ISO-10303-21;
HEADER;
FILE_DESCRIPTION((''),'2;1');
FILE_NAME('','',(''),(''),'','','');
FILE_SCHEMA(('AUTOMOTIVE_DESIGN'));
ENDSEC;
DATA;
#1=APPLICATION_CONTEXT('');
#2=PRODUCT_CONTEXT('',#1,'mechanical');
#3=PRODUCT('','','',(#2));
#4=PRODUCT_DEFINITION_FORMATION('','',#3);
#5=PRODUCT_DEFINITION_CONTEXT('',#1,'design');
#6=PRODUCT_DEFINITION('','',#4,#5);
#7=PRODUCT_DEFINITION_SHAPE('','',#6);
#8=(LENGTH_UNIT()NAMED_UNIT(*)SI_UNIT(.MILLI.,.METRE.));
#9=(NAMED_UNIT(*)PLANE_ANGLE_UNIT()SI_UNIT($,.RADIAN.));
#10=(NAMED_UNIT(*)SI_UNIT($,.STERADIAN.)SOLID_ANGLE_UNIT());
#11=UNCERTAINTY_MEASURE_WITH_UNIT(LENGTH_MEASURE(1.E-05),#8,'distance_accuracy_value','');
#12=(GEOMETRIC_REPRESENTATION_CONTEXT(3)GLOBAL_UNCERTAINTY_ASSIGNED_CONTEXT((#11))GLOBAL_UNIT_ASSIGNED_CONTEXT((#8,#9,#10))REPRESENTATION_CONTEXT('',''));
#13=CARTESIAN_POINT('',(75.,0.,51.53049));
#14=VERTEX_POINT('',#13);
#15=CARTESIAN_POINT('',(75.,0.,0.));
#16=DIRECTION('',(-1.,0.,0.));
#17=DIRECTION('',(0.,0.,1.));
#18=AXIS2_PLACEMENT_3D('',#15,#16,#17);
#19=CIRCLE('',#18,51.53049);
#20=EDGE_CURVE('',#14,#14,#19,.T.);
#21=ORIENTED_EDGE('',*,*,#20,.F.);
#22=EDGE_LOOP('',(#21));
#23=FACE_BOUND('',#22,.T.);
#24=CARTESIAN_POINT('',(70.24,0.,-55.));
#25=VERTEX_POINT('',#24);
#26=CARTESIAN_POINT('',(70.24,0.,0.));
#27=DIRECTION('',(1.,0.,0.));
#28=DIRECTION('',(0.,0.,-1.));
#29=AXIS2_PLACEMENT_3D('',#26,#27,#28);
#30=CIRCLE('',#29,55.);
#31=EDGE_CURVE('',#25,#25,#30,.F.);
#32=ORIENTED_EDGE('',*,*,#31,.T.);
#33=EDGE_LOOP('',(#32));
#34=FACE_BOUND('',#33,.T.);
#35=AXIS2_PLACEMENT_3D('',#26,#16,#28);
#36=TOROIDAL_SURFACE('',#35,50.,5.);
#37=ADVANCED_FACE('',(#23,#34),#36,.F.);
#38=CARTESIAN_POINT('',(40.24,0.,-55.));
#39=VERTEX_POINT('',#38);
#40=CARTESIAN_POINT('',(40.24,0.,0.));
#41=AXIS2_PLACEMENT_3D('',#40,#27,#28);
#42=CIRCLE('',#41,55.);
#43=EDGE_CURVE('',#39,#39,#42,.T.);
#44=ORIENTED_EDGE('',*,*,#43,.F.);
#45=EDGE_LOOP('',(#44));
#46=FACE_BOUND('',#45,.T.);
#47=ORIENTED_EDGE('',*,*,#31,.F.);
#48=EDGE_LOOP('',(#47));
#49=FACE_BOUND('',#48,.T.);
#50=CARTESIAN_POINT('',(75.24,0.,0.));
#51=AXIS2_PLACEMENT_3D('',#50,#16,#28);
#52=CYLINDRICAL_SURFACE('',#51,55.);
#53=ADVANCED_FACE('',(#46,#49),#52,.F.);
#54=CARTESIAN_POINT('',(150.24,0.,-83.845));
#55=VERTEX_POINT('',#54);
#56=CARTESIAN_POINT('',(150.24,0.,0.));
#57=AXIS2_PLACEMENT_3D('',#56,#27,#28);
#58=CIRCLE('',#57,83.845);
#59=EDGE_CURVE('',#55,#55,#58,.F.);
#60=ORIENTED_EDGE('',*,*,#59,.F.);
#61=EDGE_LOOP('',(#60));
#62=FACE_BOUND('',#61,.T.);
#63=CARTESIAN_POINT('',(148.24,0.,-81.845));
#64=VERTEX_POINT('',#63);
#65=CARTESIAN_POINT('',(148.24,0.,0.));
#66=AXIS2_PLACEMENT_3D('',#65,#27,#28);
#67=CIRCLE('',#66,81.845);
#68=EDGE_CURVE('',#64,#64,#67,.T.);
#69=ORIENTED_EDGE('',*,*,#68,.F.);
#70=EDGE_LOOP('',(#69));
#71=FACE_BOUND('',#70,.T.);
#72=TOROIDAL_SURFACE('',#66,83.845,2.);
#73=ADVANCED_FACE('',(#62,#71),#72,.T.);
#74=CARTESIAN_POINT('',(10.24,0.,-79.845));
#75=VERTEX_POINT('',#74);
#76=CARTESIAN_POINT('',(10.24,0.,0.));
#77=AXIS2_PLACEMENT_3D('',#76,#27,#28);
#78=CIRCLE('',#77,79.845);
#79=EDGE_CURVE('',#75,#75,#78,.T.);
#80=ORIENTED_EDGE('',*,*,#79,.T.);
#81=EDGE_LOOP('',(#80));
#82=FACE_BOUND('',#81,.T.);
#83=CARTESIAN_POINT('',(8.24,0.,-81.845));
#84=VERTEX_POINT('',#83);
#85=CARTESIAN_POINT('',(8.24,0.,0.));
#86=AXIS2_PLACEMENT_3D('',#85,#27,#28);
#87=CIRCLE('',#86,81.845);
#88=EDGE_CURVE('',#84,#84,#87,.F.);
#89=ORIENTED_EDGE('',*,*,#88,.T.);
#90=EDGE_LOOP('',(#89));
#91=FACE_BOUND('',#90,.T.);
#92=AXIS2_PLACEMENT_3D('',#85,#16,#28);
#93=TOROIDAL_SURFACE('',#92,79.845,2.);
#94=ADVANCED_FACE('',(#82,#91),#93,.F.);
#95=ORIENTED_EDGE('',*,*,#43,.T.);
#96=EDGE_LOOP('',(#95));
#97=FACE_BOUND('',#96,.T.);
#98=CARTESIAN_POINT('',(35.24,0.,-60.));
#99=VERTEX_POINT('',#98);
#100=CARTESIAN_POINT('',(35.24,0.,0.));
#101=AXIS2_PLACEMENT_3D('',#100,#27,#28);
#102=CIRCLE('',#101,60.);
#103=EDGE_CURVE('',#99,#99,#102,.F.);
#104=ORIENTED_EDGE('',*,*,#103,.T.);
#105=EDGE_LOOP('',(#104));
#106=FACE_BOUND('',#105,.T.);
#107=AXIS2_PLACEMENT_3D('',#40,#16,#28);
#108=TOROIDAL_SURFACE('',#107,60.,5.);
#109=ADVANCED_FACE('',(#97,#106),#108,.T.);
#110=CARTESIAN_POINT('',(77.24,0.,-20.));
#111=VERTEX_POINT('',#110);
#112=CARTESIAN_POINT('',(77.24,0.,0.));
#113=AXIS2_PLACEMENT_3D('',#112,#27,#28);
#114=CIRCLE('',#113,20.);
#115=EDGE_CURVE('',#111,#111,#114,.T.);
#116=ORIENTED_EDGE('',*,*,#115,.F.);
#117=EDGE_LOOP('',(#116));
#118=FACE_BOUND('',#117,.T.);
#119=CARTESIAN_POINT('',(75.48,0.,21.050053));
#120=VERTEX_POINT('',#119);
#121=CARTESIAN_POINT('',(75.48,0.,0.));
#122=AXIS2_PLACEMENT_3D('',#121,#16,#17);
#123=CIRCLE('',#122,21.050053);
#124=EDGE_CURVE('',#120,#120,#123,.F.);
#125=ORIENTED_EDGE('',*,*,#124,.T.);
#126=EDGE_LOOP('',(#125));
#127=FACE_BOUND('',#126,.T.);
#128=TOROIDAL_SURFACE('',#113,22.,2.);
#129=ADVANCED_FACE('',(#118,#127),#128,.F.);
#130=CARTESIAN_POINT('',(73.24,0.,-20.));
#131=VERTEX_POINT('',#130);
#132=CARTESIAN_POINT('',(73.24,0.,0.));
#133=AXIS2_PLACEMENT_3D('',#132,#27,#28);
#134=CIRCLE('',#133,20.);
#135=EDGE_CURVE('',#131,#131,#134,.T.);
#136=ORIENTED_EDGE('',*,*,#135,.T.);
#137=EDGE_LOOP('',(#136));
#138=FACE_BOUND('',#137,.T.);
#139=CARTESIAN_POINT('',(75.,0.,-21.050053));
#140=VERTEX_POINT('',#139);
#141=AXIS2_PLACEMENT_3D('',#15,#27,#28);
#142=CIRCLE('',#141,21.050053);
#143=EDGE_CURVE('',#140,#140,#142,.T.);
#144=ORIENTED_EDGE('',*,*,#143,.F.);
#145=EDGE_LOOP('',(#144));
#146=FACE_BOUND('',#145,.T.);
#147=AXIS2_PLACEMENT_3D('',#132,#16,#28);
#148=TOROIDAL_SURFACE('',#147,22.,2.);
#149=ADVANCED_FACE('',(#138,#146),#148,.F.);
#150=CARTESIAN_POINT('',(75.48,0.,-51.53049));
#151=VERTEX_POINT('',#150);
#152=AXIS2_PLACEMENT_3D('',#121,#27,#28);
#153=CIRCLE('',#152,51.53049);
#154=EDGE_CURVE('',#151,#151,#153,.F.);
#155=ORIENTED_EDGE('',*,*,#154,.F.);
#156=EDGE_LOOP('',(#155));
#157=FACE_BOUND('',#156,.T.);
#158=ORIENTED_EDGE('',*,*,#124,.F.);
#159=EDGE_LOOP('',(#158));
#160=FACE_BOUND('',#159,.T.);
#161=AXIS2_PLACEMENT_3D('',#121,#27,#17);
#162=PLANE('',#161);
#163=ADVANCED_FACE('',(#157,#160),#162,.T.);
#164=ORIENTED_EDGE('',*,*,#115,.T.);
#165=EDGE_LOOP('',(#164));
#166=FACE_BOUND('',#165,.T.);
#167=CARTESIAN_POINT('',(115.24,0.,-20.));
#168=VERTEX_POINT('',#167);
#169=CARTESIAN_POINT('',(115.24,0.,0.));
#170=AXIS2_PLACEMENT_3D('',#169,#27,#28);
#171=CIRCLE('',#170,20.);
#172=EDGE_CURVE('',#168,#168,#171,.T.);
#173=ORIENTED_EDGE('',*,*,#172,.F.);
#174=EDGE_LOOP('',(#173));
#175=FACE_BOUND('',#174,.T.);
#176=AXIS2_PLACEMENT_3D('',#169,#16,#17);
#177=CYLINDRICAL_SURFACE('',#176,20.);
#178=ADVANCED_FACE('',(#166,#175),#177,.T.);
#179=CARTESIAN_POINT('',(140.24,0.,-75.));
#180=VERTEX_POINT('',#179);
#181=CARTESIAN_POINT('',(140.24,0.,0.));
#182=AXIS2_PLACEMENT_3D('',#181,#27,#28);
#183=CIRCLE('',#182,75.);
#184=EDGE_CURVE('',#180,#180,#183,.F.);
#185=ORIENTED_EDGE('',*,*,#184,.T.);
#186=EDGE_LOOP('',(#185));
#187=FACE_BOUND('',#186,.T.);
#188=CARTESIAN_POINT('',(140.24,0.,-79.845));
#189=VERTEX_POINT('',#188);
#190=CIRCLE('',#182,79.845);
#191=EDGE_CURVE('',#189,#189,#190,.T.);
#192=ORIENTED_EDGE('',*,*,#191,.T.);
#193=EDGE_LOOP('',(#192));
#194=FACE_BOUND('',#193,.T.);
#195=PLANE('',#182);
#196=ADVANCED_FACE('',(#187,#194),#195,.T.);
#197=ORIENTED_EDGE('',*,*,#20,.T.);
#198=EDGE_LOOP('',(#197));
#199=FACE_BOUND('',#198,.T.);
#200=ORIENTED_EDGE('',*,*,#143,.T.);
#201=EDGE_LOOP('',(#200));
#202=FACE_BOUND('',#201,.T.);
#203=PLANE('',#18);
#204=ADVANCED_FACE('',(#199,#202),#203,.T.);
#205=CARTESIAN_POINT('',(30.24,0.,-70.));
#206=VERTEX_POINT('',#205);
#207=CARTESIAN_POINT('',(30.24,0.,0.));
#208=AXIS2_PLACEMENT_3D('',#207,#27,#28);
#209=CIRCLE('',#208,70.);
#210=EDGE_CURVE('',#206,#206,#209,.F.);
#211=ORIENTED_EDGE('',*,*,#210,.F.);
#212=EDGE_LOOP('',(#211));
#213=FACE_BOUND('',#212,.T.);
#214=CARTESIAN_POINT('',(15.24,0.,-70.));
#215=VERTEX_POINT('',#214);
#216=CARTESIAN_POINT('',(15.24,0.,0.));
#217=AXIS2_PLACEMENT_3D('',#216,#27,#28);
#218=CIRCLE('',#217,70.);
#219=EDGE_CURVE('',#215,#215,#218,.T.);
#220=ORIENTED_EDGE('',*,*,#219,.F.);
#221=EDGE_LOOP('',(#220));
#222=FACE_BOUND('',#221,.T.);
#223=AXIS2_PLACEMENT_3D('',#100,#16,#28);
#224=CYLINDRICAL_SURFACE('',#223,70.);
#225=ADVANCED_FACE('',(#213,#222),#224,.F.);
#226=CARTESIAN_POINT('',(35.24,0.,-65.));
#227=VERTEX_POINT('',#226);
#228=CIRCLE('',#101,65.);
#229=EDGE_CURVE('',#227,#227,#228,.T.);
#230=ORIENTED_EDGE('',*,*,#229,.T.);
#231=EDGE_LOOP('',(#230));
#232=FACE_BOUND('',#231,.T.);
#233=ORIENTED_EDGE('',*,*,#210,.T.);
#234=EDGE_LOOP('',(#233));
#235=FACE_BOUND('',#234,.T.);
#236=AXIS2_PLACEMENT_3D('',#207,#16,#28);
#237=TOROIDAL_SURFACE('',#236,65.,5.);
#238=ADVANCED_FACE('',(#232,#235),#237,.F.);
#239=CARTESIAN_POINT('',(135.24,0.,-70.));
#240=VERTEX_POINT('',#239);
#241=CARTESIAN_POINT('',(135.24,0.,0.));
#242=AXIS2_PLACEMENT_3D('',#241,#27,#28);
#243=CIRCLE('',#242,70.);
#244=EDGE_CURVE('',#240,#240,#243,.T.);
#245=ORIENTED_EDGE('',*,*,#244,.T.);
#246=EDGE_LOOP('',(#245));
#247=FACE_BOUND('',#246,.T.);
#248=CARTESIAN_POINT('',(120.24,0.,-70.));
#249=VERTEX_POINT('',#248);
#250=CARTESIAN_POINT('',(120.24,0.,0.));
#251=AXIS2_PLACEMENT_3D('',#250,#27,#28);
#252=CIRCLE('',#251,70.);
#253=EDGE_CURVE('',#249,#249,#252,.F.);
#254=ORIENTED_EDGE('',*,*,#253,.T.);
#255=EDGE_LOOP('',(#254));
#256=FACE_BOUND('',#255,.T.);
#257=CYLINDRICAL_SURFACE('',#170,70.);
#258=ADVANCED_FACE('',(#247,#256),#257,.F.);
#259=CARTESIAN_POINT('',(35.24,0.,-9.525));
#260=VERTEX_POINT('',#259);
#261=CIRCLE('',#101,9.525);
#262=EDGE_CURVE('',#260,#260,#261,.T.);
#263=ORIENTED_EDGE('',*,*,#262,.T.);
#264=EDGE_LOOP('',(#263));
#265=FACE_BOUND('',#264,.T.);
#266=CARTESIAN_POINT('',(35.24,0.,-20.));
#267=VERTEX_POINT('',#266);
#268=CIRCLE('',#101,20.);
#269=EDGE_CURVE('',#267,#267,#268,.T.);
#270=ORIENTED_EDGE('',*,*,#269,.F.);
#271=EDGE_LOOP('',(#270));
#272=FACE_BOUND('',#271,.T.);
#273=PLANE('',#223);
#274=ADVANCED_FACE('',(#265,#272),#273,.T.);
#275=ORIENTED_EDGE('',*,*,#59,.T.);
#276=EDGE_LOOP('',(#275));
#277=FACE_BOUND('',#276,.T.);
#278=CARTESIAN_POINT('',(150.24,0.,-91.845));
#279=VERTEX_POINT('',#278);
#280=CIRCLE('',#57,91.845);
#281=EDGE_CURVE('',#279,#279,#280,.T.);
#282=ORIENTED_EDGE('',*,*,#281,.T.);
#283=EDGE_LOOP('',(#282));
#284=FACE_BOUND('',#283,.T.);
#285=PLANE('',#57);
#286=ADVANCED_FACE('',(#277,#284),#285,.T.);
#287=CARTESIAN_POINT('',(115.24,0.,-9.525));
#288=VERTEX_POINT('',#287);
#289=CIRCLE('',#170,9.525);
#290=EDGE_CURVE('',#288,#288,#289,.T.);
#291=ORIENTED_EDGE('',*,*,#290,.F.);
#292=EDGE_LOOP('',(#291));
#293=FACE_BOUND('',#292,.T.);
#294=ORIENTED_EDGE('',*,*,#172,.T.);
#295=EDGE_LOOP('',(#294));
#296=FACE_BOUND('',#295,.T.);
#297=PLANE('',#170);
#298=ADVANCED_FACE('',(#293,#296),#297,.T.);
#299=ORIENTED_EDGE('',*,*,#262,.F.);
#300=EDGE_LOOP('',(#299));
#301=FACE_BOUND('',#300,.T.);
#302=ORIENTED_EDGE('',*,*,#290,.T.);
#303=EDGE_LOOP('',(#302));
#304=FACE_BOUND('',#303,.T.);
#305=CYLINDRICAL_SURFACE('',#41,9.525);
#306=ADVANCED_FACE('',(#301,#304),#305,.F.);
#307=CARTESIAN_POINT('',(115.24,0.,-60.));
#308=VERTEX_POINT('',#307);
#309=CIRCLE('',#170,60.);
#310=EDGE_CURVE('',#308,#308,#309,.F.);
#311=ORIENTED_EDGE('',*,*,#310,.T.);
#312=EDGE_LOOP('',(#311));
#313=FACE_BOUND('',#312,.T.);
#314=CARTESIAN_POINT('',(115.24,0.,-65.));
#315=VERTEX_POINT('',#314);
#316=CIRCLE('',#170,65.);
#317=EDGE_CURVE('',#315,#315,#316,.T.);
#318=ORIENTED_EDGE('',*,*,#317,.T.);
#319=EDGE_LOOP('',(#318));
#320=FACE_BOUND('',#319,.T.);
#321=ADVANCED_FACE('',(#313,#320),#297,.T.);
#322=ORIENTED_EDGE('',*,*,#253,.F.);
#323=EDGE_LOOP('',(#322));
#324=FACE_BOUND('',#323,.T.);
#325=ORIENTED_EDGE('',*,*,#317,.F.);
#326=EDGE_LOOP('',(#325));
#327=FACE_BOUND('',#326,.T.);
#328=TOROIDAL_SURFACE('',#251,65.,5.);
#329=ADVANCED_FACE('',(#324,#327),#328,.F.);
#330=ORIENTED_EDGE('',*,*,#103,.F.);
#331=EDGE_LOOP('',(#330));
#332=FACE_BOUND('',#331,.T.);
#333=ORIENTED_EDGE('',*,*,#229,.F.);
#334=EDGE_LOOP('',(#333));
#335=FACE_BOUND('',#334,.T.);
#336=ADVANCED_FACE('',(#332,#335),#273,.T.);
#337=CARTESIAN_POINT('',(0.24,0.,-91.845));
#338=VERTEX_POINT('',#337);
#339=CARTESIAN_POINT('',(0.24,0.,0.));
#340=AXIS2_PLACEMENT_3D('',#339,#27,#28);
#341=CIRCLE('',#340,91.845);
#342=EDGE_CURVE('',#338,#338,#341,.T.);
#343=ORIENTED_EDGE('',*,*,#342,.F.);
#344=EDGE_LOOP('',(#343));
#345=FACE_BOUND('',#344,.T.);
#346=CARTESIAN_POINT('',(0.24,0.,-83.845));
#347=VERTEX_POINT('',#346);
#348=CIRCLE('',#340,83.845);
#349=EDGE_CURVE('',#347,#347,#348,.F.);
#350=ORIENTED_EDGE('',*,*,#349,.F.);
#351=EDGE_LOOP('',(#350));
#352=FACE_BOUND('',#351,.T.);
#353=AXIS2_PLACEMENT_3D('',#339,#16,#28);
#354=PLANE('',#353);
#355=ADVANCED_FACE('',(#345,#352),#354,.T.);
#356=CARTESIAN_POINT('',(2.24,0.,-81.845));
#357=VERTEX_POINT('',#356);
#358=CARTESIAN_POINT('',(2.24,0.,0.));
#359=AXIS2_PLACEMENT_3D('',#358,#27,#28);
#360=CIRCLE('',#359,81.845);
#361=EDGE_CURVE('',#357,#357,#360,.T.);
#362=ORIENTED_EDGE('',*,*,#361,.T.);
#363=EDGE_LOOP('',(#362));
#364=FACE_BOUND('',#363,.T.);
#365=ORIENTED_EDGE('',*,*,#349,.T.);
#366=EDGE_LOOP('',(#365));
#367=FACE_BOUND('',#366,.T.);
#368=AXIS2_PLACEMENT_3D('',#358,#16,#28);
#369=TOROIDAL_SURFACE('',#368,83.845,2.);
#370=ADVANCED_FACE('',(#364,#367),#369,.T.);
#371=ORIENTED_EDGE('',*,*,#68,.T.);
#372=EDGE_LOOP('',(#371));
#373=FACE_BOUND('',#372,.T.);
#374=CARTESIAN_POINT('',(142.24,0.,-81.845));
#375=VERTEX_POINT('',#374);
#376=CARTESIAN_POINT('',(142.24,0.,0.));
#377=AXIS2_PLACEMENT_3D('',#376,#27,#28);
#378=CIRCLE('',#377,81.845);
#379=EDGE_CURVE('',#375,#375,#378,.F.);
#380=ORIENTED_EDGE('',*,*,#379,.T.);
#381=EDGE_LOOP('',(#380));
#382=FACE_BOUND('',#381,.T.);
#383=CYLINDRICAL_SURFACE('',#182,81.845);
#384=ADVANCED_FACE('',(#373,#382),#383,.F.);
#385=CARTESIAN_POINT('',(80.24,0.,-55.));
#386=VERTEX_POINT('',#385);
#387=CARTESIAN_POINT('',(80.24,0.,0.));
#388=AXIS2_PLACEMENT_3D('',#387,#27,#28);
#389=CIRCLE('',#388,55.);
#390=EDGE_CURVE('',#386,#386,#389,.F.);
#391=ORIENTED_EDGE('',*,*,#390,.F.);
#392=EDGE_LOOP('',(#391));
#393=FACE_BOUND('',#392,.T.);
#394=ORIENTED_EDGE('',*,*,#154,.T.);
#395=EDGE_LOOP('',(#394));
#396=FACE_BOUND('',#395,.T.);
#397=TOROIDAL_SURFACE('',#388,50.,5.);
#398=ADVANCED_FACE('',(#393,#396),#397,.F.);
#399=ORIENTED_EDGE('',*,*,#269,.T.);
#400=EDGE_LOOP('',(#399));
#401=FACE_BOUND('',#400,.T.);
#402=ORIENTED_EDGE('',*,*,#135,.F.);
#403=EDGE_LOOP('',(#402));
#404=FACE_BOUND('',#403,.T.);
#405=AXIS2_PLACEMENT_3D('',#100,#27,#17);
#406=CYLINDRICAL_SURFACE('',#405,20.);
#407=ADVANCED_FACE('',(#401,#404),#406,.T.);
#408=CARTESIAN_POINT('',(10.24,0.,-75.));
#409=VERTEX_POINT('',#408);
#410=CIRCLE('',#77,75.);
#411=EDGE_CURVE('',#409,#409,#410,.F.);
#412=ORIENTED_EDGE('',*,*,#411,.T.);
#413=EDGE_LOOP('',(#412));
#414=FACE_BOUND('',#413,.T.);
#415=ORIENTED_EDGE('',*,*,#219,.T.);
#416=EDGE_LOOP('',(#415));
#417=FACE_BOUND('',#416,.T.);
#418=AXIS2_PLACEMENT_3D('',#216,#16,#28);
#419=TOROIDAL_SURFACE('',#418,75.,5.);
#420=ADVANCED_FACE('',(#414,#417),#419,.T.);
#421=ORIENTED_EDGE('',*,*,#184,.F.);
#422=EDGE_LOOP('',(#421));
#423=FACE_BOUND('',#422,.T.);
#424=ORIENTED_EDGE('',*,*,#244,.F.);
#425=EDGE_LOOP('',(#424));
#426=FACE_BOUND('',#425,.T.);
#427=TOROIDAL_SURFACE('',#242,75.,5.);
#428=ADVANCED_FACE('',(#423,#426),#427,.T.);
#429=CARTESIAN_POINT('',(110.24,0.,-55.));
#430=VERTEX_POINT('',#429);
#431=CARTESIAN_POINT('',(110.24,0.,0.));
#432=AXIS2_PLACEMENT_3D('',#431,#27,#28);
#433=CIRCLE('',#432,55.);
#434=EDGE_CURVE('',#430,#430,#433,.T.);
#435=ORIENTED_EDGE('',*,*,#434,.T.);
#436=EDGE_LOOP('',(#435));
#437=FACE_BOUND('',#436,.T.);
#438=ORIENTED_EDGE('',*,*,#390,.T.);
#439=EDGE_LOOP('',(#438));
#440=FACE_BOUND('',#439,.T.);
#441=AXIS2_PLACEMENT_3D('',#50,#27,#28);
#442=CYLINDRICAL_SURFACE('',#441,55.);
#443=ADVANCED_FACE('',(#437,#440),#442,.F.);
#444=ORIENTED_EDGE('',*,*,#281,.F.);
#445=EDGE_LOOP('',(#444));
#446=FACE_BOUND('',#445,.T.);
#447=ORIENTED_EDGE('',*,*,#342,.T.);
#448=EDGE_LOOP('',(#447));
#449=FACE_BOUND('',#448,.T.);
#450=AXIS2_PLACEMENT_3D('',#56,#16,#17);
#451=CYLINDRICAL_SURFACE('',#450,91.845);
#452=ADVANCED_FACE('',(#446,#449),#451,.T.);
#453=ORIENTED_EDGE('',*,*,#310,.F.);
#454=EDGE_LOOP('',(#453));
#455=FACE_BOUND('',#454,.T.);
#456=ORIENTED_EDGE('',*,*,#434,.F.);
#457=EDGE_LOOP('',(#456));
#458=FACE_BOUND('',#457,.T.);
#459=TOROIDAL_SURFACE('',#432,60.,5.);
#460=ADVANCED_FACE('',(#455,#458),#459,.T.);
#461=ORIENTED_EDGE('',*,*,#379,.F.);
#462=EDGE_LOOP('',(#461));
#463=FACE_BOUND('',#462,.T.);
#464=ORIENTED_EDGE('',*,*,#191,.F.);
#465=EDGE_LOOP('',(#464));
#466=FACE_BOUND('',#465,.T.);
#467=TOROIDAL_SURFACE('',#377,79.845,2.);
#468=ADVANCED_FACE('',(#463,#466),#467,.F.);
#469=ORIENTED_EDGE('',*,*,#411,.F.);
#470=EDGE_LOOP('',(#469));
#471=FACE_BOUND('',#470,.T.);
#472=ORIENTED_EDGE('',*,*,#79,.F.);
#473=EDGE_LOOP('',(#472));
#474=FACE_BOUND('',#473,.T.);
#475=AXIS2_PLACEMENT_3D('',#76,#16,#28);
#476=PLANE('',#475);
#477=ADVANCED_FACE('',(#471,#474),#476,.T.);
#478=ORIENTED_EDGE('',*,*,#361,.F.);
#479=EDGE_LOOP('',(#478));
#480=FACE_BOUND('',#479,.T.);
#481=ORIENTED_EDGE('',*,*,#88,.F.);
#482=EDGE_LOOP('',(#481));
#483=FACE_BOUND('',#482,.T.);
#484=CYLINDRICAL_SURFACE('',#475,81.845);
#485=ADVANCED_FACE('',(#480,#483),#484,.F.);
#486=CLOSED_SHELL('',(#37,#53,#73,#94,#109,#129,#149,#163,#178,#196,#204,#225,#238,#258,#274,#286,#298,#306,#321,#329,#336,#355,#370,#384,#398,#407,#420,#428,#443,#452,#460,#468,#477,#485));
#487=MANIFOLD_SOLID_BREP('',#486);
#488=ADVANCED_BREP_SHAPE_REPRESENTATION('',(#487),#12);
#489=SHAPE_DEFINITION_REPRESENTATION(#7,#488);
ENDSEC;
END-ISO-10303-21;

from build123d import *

# Parameters (mm, degrees)
SKETCH1_R           = 91.845
BOSS_EXTRUDE1_DEPTH = 150.24
SKETCH2_R           = 81.845
CUT_EXTRUDE1_DEPTH  = 10
SKETCH3_R           = 70
CUT_EXTRUDE2_DEPTH  = 25
SKETCH4_R           = 55
CUT_EXTRUDE3_DEPTH  = 40
SKETCH5_R           = 20
BOSS_EXTRUDE3_DEPTH = 40
SKETCH6_R           = 91.845
CUT_EXTRUDE4_DEPTH  = 75
FILLET1_R           = 2
FILLET2_R           = 5
FILLET3_R           = 5
FILLET4_R           = 2
FILLET5_R           = 5
FILLET6_R           = 5
FILLET7_R           = 2
SKETCH7_R           = 9.525
CUT_EXTRUDE5_DEPTH  = 75


with BuildPart() as part:
    # Sketch1 → Boss-Extrude1 (new body)
    with BuildSketch(Plane(origin=(0, 0, 0), x_dir=(0, 0, -1), z_dir=(1, 0, 0))):
        Circle(SKETCH1_R)
    extrude(amount=BOSS_EXTRUDE1_DEPTH)

    # Sketch2 → Cut-Extrude1 (cut)
    with BuildSketch(Plane(origin=(150.24, 0, 0), x_dir=(0, 0, -1), z_dir=(1, 0, 0))):
        Circle(SKETCH2_R)
    extrude(amount=-CUT_EXTRUDE1_DEPTH, mode=Mode.SUBTRACT)

    # Sketch3 → Cut-Extrude2 (cut)
    with BuildSketch(Plane(origin=(140.24, 0, 0), x_dir=(0, 0, -1), z_dir=(1, 0, 0))):
        Circle(SKETCH3_R)
    extrude(amount=-CUT_EXTRUDE2_DEPTH, mode=Mode.SUBTRACT)

    # Sketch4 → Cut-Extrude3 (cut)
    with BuildSketch(Plane(origin=(115.24, 0, 0), x_dir=(0, 0, -1), z_dir=(1, 0, 0))):
        Circle(SKETCH4_R)
    extrude(amount=-CUT_EXTRUDE3_DEPTH, mode=Mode.SUBTRACT)

    # Sketch5 → Boss-Extrude3 (add)
    with BuildSketch(Plane(origin=(75.24, 0, 0), x_dir=(0, 0, -1), z_dir=(1, 0, 0))):
        Circle(SKETCH5_R)
    extrude(amount=BOSS_EXTRUDE3_DEPTH)

    # Sketch6 → Cut-Extrude4 (cut)
    with BuildSketch(Plane.ZY):
        Circle(SKETCH6_R)
    extrude(amount=-CUT_EXTRUDE4_DEPTH, mode=Mode.SUBTRACT)

    # Fillet1
    fillet1_edges = [part.edges().sort_by_distance(p)[0] for p in [
        (150.24, 0, 81.845),
    ]]
    fillet(fillet1_edges, radius=FILLET1_R)

    # Fillet2
    fillet2_edges = [part.edges().sort_by_distance(p)[0] for p in [
        (140.24, 0, 70),
    ]]
    fillet(fillet2_edges, radius=FILLET2_R)

    # Fillet3
    fillet3_edges = [part.edges().sort_by_distance(p)[0] for p in [
        (115.24, 0, 70),
    ]]
    fillet(fillet3_edges, radius=FILLET3_R)

    # Fillet4
    fillet4_edges = [part.edges().sort_by_distance(p)[0] for p in [
        (140.24, 0, 81.845),
    ]]
    fillet(fillet4_edges, radius=FILLET4_R)

    # Fillet5
    fillet5_edges = [part.edges().sort_by_distance(p)[0] for p in [
        (115.24, 0, 55),
    ]]
    fillet(fillet5_edges, radius=FILLET5_R)

    # Fillet6
    fillet6_edges = [part.edges().sort_by_distance(p)[0] for p in [
        (75.24, 0, 55),
    ]]
    fillet(fillet6_edges, radius=FILLET6_R)

    # Fillet7
    fillet7_edges = [part.edges().sort_by_distance(p)[0] for p in [
        (75.24, 0, 20),
    ]]
    fillet(fillet7_edges, radius=FILLET7_R)

    # Sketch7 → Cut-Extrude5 (cut)
    with BuildSketch(Plane(origin=(115.24, 0, 0), x_dir=(0, 0, -1), z_dir=(1, 0, 0))):
        Circle(SKETCH7_R)
    extrude(amount=-CUT_EXTRUDE5_DEPTH, mode=Mode.SUBTRACT)

    # Mirror9: part across plane


with BuildPart() as part_1:
    add(part.part)
    add(part.part.mirror(Plane(origin=(75.24, 0, 0), x_dir=(0, 0, 1), z_dir=(1, 0, 0))))


solid = part_1.part
